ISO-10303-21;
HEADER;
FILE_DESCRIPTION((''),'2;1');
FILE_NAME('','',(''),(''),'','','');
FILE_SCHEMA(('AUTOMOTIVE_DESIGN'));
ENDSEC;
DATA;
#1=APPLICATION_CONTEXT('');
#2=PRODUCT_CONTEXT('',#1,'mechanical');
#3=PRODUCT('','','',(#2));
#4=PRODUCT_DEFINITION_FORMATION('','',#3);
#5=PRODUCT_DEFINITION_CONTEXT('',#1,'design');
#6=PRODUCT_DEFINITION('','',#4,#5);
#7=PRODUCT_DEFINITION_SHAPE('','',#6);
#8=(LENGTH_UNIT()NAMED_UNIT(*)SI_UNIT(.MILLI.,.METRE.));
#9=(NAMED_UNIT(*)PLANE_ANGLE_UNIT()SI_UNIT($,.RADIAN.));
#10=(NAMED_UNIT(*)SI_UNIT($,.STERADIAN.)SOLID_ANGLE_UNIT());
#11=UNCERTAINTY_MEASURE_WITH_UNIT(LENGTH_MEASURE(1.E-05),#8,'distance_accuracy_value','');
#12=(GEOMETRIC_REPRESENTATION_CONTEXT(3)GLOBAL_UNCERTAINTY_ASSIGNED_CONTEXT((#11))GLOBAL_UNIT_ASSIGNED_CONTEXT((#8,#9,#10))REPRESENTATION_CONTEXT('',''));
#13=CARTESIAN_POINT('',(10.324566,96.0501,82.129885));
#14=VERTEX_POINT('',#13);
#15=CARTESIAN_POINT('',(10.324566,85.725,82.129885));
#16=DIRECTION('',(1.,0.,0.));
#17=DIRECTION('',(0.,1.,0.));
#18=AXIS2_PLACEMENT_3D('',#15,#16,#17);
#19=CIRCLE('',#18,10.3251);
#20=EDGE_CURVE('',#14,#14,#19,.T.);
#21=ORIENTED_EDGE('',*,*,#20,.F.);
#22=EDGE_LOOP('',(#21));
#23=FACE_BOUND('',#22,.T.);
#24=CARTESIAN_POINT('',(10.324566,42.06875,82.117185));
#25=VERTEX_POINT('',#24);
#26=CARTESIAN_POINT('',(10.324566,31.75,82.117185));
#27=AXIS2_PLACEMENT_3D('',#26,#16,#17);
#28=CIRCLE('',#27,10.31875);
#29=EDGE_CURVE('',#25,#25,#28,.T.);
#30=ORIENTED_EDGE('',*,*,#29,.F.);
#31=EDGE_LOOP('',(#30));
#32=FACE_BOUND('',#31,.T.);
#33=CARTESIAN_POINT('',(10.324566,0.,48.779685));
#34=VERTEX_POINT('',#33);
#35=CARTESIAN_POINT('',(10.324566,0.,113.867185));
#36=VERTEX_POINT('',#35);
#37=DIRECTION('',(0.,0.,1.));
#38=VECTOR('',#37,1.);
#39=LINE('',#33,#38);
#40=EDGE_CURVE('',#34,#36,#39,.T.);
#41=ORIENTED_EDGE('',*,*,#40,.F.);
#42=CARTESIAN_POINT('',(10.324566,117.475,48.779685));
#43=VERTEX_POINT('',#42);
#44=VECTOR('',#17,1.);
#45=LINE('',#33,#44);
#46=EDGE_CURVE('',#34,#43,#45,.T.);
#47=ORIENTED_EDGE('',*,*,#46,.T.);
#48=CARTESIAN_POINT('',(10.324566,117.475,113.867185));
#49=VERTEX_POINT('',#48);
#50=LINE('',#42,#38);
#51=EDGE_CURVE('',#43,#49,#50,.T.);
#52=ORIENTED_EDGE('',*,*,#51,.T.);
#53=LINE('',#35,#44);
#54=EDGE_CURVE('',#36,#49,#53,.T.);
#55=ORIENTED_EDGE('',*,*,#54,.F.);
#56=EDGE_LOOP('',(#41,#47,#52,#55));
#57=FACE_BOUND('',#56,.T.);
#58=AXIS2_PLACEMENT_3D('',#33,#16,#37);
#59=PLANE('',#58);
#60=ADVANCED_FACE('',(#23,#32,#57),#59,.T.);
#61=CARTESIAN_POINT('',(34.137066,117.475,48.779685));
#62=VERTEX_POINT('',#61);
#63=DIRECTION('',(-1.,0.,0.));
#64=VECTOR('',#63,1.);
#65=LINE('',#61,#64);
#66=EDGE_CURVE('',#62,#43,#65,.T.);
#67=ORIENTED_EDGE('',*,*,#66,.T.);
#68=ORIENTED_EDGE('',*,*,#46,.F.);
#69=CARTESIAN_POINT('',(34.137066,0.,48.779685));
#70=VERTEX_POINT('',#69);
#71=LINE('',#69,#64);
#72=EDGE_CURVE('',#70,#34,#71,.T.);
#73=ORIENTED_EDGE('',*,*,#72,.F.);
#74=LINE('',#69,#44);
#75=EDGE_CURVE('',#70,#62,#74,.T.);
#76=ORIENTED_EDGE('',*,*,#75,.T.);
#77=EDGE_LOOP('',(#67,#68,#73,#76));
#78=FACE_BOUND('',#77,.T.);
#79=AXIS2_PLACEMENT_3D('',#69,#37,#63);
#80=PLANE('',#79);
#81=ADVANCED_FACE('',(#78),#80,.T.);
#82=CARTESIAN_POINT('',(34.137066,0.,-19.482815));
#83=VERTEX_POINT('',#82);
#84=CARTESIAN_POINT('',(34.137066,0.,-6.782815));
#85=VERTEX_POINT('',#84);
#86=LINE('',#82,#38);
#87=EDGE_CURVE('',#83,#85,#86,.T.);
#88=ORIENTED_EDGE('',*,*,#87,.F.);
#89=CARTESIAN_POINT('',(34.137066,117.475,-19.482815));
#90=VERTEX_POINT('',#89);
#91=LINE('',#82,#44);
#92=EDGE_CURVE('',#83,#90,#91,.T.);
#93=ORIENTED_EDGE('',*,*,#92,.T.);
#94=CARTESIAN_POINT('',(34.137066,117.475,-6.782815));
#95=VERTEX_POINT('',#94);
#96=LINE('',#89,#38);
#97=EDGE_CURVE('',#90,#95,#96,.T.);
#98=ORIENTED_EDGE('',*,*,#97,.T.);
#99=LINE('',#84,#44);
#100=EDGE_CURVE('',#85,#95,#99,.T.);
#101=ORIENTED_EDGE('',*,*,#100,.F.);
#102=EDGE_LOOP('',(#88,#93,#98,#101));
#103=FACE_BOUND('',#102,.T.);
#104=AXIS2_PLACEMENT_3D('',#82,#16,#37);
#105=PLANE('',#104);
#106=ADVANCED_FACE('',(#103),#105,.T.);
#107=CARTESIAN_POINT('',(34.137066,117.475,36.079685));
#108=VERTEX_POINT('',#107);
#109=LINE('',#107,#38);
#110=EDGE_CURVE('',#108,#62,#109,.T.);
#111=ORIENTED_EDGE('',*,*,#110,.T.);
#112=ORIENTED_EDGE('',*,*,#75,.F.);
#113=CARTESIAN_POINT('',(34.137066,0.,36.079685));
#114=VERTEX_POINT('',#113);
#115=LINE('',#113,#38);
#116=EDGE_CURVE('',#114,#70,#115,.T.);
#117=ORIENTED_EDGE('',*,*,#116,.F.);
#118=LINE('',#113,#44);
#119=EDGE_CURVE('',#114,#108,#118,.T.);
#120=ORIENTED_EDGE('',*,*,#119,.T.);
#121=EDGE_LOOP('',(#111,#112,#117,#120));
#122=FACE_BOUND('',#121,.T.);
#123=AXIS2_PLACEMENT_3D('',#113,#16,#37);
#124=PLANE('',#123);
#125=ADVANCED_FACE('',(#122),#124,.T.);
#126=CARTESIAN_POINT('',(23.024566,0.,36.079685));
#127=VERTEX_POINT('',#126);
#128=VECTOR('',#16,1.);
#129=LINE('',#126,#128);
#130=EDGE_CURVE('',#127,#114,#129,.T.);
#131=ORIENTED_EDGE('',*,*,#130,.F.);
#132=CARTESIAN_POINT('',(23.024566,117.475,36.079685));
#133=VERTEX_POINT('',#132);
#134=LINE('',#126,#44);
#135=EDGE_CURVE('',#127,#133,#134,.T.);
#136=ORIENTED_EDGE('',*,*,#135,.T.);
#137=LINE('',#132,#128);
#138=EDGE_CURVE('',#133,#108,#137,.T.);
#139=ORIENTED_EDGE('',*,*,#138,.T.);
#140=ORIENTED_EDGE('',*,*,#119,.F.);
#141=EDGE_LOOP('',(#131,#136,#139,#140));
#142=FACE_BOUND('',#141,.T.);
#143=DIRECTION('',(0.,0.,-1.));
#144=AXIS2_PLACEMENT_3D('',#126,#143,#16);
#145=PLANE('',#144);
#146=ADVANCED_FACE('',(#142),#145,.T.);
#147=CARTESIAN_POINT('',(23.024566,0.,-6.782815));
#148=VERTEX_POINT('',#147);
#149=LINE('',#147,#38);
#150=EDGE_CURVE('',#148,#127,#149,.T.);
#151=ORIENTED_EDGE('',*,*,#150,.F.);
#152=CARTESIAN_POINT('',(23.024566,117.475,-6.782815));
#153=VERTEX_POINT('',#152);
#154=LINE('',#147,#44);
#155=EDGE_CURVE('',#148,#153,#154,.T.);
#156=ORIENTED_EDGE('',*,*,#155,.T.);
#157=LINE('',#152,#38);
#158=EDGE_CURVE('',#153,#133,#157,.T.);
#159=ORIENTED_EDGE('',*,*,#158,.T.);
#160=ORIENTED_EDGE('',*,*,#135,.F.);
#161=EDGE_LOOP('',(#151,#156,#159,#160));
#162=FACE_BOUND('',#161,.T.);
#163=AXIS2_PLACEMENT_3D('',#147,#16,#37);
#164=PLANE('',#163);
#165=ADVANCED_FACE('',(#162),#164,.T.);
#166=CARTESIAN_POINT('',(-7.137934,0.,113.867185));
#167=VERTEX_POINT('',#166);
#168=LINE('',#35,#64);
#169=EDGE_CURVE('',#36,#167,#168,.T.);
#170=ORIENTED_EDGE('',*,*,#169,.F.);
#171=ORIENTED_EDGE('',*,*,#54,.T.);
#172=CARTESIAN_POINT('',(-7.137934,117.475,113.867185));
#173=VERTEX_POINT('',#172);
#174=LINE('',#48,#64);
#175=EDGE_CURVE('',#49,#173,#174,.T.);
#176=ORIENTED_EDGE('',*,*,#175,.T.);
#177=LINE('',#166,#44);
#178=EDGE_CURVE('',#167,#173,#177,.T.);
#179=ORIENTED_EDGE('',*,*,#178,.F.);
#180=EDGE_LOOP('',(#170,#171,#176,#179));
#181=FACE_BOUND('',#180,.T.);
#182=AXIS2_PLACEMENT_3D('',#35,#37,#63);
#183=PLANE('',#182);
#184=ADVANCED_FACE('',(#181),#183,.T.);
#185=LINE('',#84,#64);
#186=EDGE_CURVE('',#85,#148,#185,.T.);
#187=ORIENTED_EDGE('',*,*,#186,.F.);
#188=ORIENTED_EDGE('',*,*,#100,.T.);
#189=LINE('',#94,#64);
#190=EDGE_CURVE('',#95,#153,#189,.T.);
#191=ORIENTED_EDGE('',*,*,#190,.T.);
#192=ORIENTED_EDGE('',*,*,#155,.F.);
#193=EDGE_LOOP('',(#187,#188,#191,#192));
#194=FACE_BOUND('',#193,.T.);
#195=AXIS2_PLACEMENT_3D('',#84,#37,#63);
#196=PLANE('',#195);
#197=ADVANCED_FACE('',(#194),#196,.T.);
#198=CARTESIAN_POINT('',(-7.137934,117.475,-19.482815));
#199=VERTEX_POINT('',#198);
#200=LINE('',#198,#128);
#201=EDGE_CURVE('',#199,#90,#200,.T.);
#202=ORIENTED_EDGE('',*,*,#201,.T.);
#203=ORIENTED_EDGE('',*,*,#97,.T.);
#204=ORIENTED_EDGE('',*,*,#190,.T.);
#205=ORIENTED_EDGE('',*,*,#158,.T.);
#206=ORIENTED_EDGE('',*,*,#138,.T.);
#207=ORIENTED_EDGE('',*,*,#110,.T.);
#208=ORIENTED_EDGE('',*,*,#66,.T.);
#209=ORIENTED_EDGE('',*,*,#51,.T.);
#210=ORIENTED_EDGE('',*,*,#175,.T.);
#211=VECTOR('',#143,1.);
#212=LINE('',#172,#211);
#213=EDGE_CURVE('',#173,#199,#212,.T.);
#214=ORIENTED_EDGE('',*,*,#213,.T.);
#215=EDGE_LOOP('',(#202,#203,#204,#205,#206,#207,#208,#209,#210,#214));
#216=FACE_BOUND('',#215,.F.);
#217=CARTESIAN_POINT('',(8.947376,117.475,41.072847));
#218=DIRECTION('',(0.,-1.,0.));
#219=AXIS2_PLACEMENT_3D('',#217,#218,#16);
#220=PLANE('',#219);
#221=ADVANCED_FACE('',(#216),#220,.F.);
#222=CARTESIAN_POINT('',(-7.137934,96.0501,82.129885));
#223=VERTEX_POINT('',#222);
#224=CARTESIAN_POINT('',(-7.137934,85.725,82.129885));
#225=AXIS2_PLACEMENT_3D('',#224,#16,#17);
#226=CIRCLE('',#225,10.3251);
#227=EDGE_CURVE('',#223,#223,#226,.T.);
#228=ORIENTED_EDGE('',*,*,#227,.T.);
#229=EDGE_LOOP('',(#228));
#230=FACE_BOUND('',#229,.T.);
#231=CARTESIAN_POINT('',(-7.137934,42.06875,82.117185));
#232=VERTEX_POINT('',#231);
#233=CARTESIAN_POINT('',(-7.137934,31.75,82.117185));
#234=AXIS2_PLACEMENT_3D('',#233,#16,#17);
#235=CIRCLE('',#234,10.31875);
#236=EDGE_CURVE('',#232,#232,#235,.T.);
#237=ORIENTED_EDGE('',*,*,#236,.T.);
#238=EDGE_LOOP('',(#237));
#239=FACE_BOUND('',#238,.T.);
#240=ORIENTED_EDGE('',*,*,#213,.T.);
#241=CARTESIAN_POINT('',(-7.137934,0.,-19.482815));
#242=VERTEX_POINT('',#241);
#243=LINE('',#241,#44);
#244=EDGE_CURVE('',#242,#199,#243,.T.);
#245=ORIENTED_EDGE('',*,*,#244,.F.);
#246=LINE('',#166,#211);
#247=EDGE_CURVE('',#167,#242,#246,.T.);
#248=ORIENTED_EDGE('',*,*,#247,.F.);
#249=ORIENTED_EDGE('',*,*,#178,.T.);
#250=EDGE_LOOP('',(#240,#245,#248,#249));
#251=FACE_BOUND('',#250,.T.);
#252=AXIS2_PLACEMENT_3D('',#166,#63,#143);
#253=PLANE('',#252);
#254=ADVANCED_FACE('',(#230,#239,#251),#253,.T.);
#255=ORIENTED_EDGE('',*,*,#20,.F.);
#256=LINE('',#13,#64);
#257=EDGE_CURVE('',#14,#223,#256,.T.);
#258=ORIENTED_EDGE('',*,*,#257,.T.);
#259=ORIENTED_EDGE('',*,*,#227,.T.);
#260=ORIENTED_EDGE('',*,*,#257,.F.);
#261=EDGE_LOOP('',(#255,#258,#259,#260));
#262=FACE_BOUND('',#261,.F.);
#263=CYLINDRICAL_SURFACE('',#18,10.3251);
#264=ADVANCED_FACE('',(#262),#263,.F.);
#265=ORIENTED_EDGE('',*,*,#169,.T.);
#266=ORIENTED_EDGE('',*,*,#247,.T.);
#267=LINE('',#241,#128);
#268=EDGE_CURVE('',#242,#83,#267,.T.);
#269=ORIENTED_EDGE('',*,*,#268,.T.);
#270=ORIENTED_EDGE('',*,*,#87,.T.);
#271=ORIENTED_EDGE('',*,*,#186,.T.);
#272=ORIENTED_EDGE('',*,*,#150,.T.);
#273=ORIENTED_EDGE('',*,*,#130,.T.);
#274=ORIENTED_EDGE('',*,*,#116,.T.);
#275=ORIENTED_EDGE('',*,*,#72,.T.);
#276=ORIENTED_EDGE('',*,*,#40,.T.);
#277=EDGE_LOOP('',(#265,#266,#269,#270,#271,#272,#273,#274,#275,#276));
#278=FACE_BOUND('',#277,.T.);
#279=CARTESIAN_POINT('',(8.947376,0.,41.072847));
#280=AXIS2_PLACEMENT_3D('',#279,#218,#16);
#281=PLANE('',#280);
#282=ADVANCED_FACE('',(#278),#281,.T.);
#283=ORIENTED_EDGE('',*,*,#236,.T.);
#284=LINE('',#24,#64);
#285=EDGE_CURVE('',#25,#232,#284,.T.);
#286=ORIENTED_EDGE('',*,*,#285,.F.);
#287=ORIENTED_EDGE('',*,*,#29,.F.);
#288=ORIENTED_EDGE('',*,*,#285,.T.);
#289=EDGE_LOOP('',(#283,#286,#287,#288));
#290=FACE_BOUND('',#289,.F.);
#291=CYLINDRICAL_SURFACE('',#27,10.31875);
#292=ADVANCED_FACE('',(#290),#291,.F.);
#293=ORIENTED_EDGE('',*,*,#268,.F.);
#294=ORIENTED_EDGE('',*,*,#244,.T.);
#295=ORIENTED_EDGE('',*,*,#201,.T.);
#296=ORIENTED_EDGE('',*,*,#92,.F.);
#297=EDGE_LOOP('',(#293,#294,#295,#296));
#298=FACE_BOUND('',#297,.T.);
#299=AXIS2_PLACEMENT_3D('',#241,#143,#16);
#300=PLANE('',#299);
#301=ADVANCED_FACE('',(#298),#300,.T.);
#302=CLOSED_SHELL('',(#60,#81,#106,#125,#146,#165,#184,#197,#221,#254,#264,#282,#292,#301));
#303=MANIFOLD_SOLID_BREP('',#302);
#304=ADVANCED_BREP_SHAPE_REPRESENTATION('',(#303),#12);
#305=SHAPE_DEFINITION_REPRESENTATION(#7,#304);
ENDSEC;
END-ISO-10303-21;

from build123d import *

# Parameters (mm, degrees)
F1_DEPTH = 117.475
F2_R     = 10.31875
F2_R_2   = 10.3251
F3_DEPTH = 22.352


with BuildPart() as f1:
    # F0 (on Front) → F1 (new body)
    with BuildSketch(Plane.XZ):
        Polygon((23.024566, 48.779685), (10.324566, 48.779685), (10.324566, 113.867185), (-7.137934, 113.867185), (-7.137934, 48.779685), (-7.137934, -19.482815), (23.024566, -19.482815), (34.137066, -19.482815), (34.137066, -6.782815), (23.024566, -6.782815), (23.024566, 36.079685), (34.137066, 36.079685), (34.137066, 48.779685), align=None)
    extrude(amount=-F1_DEPTH)

    # F2 (on face) → F3 (cut)
    with BuildSketch(Plane.YZ.offset(10.324566)):
        with Locations((31.75, 82.117185)):
            Circle(F2_R)
        with Locations((85.725, 82.129885)):
            Circle(F2_R_2)
    extrude(amount=-F3_DEPTH, mode=Mode.SUBTRACT)


solid = f1.part
